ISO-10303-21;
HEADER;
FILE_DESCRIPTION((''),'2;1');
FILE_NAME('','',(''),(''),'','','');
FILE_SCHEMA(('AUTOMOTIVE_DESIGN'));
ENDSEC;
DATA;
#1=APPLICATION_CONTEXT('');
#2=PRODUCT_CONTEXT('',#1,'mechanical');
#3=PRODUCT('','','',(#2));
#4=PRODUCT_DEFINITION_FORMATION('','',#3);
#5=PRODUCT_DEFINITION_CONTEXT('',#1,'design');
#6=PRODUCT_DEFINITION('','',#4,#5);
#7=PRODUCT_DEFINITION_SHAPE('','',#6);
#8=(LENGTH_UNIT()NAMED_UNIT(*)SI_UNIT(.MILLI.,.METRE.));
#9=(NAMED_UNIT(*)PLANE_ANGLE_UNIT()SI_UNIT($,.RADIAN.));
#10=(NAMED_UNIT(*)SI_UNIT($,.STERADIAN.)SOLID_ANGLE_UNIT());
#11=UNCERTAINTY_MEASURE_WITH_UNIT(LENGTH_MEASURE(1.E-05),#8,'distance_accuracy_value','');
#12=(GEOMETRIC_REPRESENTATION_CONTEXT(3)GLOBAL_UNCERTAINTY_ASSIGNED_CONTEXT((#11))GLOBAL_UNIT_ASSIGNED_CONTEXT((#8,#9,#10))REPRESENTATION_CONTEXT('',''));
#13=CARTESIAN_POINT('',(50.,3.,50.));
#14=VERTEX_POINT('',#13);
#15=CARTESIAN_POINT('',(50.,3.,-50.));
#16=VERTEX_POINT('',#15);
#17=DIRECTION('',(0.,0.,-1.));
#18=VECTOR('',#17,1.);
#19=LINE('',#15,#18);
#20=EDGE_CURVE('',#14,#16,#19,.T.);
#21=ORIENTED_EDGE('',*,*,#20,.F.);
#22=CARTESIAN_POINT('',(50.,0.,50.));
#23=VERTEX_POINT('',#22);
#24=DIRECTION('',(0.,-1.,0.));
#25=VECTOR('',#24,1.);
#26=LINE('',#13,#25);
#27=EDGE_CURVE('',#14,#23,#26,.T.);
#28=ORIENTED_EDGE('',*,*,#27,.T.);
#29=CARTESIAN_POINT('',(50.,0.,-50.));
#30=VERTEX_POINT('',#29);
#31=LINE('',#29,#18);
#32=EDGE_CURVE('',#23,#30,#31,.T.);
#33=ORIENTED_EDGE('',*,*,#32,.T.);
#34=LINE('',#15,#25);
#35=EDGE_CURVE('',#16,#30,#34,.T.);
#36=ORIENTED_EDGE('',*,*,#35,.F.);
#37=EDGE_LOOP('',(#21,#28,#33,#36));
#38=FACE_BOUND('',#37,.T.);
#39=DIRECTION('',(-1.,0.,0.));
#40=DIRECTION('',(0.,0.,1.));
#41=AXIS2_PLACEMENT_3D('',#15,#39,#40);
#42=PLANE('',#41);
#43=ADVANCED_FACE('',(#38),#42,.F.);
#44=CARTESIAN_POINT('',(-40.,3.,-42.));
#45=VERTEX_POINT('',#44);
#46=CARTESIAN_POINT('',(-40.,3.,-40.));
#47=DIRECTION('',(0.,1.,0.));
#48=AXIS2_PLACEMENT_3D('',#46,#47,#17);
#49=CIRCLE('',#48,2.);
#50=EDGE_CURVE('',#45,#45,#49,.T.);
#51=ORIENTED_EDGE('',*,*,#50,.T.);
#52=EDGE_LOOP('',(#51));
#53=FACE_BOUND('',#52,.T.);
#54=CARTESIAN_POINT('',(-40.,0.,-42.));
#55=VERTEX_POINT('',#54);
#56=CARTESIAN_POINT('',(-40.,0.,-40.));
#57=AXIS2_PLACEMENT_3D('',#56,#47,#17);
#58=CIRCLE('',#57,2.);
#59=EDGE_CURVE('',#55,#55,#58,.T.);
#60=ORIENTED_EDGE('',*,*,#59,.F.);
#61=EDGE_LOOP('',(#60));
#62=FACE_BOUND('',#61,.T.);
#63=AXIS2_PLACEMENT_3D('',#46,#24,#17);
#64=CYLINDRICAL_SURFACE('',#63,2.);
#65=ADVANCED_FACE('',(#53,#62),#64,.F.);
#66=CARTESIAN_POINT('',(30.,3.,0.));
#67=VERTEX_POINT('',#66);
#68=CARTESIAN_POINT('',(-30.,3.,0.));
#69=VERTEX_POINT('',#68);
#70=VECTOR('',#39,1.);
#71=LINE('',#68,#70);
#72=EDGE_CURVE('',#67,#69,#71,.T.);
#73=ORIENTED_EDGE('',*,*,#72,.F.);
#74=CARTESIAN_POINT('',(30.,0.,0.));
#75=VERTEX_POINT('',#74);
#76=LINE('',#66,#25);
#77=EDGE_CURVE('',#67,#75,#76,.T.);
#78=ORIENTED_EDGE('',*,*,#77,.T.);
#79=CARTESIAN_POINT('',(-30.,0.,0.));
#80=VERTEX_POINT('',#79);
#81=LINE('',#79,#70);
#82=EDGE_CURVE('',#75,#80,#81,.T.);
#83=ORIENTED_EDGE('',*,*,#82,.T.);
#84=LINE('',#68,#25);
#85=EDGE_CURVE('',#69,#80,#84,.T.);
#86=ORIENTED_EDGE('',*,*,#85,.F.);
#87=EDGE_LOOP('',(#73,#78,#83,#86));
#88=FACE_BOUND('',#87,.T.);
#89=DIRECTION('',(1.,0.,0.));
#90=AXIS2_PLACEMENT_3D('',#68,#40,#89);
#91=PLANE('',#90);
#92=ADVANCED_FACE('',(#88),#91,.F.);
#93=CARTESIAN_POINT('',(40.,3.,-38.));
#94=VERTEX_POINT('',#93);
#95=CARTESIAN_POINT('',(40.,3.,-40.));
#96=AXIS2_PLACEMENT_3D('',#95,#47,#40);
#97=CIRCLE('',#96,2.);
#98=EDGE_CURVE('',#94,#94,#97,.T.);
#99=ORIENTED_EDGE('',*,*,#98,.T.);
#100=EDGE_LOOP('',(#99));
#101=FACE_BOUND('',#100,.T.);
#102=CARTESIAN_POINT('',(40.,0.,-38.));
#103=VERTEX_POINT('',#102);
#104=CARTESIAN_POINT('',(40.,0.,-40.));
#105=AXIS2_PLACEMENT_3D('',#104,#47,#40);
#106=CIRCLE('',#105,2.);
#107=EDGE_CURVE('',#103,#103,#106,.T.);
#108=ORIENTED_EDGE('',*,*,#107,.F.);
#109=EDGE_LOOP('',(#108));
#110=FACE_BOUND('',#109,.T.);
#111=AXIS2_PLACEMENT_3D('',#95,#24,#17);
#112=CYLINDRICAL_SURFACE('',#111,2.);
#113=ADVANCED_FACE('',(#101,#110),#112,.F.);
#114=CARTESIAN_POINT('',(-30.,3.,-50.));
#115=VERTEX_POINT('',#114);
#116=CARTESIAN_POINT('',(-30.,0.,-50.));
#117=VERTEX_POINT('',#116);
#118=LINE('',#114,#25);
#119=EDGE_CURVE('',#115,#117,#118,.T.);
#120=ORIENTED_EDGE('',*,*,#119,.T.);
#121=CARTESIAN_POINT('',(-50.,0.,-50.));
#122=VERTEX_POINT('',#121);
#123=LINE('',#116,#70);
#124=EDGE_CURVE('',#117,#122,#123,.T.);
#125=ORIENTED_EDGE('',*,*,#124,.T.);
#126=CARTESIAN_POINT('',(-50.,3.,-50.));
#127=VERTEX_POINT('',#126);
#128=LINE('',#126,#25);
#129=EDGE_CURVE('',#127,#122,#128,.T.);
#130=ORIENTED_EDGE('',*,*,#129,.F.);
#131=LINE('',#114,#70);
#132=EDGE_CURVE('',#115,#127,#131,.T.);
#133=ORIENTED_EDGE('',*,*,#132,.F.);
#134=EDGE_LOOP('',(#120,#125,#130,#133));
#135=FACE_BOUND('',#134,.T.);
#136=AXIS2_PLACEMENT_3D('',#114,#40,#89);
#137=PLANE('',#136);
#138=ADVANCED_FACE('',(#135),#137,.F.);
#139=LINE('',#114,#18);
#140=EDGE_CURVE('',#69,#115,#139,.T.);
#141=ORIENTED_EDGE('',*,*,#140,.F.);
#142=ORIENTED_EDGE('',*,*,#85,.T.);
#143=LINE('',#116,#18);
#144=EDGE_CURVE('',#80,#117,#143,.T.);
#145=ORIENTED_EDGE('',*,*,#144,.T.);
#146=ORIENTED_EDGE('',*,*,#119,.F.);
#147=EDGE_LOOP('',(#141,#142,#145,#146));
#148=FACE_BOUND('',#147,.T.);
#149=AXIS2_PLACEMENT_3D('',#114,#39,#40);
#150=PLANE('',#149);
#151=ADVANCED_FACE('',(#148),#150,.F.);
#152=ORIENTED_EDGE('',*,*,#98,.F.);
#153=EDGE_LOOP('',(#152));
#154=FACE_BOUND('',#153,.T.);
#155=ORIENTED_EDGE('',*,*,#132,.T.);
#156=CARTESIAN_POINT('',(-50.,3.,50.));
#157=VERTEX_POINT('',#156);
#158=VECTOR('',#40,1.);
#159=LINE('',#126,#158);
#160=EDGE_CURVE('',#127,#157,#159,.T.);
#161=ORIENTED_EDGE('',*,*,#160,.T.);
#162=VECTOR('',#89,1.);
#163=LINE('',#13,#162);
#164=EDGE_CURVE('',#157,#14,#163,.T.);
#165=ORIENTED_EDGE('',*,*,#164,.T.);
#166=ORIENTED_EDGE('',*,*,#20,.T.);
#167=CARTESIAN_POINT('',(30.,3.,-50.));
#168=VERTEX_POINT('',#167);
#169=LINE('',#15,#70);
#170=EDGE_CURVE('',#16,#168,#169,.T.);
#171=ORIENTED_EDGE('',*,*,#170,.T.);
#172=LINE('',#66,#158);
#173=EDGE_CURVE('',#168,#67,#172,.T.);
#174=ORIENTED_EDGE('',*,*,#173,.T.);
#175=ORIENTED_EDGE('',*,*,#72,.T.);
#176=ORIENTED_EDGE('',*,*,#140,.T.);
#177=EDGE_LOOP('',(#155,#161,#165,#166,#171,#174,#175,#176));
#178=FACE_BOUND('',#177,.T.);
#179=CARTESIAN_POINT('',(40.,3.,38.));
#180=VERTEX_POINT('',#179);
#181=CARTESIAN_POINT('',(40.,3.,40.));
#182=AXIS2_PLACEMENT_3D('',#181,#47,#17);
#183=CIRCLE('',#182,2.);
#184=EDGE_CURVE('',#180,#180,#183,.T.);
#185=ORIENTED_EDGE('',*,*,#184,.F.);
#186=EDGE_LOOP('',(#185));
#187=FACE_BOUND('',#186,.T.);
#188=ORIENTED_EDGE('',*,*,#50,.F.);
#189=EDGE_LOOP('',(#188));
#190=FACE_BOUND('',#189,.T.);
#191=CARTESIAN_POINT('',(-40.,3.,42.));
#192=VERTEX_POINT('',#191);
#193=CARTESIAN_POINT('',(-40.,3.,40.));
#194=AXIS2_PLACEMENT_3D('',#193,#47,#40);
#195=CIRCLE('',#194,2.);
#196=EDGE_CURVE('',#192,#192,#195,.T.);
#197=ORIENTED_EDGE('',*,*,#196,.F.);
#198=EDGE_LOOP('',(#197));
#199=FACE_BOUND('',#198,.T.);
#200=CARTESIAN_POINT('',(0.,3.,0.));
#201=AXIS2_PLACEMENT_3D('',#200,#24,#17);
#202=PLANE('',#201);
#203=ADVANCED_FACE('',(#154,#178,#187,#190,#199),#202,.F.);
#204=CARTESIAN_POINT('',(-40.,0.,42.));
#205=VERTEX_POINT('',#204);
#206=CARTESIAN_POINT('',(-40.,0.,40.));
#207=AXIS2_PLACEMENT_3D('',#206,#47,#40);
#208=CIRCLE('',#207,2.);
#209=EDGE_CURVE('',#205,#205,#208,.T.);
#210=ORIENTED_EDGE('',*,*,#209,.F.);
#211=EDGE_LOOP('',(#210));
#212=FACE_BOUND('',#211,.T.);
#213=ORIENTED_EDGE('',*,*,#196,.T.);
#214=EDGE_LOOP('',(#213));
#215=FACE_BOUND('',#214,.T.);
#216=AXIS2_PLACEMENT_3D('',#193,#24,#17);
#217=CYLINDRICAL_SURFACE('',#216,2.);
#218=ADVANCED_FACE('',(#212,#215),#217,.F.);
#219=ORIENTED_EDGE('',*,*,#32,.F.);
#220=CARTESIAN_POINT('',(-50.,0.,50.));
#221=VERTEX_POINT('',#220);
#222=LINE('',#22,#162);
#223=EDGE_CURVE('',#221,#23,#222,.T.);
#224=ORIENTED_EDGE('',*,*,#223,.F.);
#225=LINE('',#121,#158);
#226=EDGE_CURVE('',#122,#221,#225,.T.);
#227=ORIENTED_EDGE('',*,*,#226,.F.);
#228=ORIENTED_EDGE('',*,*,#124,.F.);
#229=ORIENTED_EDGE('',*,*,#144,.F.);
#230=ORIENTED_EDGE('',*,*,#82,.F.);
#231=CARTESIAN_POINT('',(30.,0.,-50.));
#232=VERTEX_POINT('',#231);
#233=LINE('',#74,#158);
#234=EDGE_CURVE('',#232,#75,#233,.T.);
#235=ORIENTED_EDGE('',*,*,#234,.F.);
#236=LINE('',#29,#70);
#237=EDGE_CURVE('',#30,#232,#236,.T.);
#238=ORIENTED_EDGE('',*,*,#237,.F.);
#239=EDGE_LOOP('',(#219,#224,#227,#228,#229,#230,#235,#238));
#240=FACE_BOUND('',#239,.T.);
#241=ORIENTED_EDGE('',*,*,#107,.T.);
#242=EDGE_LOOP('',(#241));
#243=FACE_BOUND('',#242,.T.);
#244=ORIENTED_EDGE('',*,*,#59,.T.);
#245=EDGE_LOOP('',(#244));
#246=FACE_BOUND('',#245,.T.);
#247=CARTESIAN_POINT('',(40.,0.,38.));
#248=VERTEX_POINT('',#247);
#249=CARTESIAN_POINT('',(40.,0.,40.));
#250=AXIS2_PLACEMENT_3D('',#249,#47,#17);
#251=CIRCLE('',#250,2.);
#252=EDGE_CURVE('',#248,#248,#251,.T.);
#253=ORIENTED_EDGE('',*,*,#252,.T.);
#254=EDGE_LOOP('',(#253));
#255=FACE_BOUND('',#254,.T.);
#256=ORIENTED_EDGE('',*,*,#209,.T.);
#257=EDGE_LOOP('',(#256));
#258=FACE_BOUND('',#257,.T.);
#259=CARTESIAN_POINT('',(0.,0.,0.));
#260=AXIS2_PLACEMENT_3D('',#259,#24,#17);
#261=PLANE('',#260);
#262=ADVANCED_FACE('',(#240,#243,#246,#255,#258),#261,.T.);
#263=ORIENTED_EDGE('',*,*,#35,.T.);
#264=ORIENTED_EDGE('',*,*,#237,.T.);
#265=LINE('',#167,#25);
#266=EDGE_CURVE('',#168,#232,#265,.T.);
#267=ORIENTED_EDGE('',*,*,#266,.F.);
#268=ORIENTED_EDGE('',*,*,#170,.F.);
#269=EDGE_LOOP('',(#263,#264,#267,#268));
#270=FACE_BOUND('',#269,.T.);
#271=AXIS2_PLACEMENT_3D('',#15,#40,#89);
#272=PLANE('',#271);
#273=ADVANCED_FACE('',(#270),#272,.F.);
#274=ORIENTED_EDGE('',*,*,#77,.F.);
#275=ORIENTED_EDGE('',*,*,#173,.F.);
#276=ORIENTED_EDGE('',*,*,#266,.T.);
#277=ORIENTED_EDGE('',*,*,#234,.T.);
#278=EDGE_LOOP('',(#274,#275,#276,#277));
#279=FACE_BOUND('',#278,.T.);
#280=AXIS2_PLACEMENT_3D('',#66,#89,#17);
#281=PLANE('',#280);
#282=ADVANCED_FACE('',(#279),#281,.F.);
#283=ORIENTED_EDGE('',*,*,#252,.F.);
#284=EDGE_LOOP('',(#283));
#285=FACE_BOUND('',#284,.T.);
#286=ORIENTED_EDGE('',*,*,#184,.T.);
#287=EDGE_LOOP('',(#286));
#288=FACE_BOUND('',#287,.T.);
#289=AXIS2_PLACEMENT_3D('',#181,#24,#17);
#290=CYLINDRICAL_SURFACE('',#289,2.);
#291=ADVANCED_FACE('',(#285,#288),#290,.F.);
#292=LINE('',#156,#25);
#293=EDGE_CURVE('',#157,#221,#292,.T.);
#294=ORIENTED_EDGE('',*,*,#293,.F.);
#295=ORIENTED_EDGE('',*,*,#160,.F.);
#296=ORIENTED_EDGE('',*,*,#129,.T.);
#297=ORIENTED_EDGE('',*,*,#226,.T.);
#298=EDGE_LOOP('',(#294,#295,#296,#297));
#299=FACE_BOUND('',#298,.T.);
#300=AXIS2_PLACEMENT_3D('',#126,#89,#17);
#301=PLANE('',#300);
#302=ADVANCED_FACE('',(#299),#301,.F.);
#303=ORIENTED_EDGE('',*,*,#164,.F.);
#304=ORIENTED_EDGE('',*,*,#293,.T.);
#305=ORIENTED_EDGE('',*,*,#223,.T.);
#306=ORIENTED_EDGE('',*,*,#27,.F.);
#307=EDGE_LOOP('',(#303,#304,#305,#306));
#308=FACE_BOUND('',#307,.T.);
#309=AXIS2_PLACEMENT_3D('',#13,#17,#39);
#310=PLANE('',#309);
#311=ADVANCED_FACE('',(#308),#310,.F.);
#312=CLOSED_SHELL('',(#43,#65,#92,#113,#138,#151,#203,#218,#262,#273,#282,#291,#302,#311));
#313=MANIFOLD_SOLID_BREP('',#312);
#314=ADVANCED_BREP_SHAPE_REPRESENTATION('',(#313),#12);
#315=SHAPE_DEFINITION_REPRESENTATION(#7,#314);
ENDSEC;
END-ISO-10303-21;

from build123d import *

# Parameters (mm, degrees)
SKETCH1_R           = 2
BOSS_EXTRUDE1_DEPTH = 3


with BuildPart() as part:
    # Sketch1 → Boss-Extrude1 (new body)
    with BuildSketch(Plane(origin=(0, 0, 0), x_dir=(1, 0, 0), z_dir=(0, 1, 0))):
        Polygon((-30, 50), (-30, 0), (30, 0), (30, 50), (50, 50), (50, -50), (-50, -50), (-50, 50), align=None)
        with Locations(Location((-40, -40, 0), (0, 0, 270))):
            Circle(SKETCH1_R, mode=Mode.SUBTRACT)
        with Locations(Location((40, -40, 0), (0, 0, 90))):
            Circle(SKETCH1_R, mode=Mode.SUBTRACT)
        with Locations(Location((40, 40, 0), (0, 0, 270))):
            Circle(SKETCH1_R, mode=Mode.SUBTRACT)
        with Locations(Location((-40, 40, 0), (0, 0, 90))):
            Circle(SKETCH1_R, mode=Mode.SUBTRACT)
    extrude(amount=BOSS_EXTRUDE1_DEPTH)


solid = part.part
